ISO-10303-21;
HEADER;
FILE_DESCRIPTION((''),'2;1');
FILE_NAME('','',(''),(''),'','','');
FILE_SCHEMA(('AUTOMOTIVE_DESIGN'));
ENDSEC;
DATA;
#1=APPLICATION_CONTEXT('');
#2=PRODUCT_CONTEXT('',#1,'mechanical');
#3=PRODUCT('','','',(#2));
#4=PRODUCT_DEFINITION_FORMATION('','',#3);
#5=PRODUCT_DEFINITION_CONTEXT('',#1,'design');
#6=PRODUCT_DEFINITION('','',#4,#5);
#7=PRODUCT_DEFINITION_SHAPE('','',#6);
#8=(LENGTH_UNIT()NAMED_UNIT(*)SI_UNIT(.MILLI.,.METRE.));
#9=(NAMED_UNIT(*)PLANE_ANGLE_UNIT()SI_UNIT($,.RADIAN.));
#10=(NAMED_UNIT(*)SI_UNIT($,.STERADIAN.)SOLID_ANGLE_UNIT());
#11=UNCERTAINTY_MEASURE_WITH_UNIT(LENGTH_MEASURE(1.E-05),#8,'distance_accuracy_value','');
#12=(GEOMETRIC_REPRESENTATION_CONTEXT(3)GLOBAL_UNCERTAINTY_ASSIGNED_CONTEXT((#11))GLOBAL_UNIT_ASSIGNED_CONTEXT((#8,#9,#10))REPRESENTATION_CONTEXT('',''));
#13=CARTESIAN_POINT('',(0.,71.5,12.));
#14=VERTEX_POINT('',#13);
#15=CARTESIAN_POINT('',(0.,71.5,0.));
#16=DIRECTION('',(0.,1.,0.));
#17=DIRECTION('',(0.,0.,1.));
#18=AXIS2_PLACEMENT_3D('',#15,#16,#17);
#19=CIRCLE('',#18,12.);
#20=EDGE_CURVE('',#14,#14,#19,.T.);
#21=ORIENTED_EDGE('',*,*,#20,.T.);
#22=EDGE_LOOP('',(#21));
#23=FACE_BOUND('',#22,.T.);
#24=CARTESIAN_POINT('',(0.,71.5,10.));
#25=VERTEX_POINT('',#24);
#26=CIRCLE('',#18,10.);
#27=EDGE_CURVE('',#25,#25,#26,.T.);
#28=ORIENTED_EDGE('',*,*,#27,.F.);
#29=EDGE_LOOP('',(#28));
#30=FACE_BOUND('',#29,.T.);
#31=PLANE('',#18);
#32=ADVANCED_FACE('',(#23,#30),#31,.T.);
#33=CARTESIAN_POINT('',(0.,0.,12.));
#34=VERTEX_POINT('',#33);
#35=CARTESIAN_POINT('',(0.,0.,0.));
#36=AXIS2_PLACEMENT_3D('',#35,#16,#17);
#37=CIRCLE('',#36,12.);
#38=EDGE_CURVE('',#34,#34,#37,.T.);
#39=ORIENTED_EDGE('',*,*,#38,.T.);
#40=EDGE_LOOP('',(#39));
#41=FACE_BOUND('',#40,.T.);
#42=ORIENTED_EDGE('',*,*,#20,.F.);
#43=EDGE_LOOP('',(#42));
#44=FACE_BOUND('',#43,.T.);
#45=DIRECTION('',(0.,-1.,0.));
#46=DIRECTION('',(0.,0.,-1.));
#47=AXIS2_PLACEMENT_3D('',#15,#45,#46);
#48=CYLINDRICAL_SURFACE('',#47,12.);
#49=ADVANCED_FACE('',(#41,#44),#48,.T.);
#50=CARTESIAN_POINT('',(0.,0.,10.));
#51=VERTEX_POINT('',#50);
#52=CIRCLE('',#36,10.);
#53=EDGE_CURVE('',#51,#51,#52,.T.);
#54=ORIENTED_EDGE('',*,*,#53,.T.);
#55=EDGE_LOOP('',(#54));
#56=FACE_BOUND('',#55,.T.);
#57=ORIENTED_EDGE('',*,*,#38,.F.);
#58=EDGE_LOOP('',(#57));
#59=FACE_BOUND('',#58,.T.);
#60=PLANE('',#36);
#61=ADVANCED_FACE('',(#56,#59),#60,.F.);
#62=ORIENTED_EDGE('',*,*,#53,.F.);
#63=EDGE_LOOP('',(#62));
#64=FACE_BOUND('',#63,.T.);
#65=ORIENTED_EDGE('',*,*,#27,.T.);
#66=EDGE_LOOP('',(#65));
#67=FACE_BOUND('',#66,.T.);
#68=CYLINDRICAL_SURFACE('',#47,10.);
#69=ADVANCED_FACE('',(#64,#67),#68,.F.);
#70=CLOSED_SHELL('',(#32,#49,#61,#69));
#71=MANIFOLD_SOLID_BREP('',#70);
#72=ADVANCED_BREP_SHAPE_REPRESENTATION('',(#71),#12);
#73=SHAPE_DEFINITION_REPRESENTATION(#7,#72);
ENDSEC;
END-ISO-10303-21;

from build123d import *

# Parameters (mm, degrees)
SZKIC1_R                    = 12
SZKIC1_R_2                  = 10
DODANIE_WYCI_GNI_CIE1_DEPTH = 71.5


with BuildPart() as part:
    # Szkic1 → Dodanie-wyciągnięcie1 (new body)
    with BuildSketch(Plane(origin=(0, 0, 0), x_dir=(1, 0, 0), z_dir=(0, 1, 0))):
        with Locations(Location((0, 0, 0), (0, 0, 270))):
            Circle(SZKIC1_R)
        with Locations(Location((0, 0, 0), (0, 0, 270))):
            Circle(SZKIC1_R_2, mode=Mode.SUBTRACT)
    extrude(amount=DODANIE_WYCI_GNI_CIE1_DEPTH)


solid = part.part
